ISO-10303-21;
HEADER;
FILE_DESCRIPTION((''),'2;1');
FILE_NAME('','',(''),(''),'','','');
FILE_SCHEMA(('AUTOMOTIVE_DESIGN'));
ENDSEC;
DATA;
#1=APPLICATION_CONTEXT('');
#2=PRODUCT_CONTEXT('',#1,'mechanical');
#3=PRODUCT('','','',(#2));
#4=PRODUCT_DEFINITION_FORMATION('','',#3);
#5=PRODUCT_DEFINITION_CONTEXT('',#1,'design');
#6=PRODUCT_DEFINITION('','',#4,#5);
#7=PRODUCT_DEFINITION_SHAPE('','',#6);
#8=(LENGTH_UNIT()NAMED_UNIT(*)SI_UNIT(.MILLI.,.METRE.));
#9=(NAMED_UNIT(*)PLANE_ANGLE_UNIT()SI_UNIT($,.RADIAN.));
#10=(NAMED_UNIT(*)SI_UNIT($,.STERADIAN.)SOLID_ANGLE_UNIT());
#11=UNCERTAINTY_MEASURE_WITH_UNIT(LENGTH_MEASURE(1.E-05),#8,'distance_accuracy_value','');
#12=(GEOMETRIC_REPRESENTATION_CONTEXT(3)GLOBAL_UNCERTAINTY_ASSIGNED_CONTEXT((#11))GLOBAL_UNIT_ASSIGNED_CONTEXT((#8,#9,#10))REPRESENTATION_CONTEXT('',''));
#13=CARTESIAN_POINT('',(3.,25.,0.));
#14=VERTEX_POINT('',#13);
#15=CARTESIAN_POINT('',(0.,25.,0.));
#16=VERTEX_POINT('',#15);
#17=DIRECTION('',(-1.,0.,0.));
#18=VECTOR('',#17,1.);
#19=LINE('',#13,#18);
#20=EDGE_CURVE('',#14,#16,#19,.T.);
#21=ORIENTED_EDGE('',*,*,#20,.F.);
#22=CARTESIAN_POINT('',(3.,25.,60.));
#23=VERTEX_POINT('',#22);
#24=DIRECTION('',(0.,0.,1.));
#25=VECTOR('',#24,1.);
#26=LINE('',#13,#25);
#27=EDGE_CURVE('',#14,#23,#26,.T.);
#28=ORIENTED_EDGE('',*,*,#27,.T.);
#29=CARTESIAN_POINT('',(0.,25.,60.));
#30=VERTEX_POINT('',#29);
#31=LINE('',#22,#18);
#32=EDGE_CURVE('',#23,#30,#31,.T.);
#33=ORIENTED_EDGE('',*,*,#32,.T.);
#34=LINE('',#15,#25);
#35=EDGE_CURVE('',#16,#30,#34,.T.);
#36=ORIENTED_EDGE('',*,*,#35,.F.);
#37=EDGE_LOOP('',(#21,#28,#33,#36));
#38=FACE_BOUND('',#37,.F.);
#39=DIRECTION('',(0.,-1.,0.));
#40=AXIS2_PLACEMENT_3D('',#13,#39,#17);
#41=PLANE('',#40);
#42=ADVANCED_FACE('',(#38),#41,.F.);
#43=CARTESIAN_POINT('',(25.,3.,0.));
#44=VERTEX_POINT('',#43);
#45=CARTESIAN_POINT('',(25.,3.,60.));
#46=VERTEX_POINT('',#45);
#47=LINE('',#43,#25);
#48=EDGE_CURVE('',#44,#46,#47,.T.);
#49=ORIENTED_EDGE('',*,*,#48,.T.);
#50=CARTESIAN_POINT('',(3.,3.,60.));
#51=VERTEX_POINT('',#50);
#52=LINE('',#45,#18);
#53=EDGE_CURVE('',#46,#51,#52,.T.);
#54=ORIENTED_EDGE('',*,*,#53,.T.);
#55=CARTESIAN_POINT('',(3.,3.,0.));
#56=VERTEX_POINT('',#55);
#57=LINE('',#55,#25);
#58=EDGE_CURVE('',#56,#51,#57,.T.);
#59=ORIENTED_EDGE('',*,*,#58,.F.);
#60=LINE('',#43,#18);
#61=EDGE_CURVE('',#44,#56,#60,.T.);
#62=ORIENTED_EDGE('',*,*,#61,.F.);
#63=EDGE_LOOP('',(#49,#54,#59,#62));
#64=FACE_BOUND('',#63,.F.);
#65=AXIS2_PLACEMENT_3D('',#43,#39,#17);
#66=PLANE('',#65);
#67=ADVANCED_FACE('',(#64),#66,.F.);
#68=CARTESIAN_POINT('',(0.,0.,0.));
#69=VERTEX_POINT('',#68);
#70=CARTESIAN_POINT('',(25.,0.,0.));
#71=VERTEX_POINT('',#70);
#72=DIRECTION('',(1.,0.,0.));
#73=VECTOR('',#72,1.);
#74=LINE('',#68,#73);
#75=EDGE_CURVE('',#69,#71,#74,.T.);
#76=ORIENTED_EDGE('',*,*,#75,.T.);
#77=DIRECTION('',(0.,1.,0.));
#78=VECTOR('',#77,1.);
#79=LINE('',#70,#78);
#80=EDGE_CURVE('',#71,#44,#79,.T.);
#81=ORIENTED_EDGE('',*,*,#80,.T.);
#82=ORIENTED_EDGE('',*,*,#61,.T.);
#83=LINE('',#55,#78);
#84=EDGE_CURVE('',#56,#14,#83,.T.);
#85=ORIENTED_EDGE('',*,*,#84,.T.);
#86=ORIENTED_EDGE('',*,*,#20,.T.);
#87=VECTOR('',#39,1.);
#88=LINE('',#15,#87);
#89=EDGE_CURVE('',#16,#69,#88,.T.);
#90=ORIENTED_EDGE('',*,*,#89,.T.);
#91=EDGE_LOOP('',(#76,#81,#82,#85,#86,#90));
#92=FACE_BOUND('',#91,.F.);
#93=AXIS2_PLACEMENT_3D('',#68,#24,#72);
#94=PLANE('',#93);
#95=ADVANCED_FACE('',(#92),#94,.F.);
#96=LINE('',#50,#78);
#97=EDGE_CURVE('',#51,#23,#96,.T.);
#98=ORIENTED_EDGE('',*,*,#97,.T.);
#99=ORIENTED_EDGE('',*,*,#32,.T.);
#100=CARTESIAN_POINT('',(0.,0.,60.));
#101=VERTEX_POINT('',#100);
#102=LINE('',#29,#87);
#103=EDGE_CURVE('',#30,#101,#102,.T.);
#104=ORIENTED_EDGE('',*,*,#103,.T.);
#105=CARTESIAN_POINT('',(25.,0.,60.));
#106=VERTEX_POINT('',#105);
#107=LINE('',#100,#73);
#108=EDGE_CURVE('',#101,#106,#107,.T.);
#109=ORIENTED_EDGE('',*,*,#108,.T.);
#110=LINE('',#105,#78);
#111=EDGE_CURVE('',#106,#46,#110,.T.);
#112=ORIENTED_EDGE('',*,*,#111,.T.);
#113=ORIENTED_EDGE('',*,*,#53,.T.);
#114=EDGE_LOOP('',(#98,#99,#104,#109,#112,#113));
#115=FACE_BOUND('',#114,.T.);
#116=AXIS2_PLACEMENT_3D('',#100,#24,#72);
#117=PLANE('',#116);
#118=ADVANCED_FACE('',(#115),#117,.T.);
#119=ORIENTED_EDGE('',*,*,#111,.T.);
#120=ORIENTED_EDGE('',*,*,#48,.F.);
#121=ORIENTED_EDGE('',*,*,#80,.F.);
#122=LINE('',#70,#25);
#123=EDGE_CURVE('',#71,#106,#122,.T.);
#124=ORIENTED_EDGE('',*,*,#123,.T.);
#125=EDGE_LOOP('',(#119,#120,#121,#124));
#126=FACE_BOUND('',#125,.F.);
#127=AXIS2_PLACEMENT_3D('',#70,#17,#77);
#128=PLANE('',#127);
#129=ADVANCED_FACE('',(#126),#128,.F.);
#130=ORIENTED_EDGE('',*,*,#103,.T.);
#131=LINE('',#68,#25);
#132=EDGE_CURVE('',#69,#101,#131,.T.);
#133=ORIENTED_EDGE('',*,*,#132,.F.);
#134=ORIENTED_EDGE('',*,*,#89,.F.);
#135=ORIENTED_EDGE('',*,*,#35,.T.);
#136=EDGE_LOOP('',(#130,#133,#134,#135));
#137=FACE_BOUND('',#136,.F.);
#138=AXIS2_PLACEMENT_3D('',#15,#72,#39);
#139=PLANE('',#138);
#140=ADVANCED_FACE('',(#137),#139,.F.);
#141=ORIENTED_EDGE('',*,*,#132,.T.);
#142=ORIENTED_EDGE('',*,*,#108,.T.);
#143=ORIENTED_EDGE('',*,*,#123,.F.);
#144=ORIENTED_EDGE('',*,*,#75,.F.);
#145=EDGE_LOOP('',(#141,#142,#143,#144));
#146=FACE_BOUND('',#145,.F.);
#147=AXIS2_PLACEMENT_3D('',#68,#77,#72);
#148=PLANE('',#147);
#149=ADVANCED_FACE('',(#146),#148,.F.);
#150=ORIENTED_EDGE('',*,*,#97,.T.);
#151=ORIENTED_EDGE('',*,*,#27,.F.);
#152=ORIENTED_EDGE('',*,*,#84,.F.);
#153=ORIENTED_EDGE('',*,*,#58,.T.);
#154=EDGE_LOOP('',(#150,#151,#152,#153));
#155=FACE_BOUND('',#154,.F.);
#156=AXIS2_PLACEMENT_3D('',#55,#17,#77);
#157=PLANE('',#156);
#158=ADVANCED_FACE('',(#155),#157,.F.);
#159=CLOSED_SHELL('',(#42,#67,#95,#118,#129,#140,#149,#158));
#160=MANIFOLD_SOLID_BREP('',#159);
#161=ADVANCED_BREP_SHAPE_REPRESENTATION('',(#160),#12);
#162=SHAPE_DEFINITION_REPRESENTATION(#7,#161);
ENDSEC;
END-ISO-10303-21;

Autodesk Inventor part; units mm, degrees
ref_plane "YZ Plane" through (0, 0, 0) normal (1, 0, 0) x (0, 1, 0)
ref_plane "XZ Plane" through (0, 0, 0) normal (0, 1, 0) x (-1, 0, 0)
ref_plane "XY Plane" through (0, 0, 0) normal (0, 0, 1) x (1, 0, 0)
sketch "Sketch1" plane through (0, 0, 0) normal (0, 0, 1) x (1, 0, 0)
  line L0 (0, 0) -> (25, 0)
  line L1 (25, 0) -> (25, 3)
  line L2 (25, 3) -> (3, 3)
  line L3 (3, 3) -> (3, 25)
  line L4 (3, 25) -> (0, 25)
  line L5 (0, 25) -> (0, 0)
  dimension "d0" = 25
  dimension "d1" = 3
  dimension "d2" = 22
  dimension "d3" = 22
extrude "Extrusion1" add sketch "Sketch1" along normal blind 60
sketch "Sketch2" plane through (3, 3, 0) normal (1, 0, 0) x (0, 0, -1)
  line L0 (0, 0) -> (0, 22) projected
  line L1 (0, 22) -> (-60, 22) projected
  line L2 (-60, 0) -> (-60, 22) projected
  line L3 (0, 0) -> (-60, 0) projected
  line L4 (0, 22) -> (-1.4085, 22)
  line L5 (0, 22) -> (-9.5, 22) construction
  line L6 (-9.5, 22) -> (-8.5825, 22) construction
  line L7 (-9.5, 22) -> (-23.165, 22) construction
  line L8 (-23.165, 22) -> (-23.165, 2.4653) construction
  point P0 (0, -3)
  dimension "d6" = 9.5
  dimension "d7" = 13.665
properties part number "printed Y rod holder bracket"
